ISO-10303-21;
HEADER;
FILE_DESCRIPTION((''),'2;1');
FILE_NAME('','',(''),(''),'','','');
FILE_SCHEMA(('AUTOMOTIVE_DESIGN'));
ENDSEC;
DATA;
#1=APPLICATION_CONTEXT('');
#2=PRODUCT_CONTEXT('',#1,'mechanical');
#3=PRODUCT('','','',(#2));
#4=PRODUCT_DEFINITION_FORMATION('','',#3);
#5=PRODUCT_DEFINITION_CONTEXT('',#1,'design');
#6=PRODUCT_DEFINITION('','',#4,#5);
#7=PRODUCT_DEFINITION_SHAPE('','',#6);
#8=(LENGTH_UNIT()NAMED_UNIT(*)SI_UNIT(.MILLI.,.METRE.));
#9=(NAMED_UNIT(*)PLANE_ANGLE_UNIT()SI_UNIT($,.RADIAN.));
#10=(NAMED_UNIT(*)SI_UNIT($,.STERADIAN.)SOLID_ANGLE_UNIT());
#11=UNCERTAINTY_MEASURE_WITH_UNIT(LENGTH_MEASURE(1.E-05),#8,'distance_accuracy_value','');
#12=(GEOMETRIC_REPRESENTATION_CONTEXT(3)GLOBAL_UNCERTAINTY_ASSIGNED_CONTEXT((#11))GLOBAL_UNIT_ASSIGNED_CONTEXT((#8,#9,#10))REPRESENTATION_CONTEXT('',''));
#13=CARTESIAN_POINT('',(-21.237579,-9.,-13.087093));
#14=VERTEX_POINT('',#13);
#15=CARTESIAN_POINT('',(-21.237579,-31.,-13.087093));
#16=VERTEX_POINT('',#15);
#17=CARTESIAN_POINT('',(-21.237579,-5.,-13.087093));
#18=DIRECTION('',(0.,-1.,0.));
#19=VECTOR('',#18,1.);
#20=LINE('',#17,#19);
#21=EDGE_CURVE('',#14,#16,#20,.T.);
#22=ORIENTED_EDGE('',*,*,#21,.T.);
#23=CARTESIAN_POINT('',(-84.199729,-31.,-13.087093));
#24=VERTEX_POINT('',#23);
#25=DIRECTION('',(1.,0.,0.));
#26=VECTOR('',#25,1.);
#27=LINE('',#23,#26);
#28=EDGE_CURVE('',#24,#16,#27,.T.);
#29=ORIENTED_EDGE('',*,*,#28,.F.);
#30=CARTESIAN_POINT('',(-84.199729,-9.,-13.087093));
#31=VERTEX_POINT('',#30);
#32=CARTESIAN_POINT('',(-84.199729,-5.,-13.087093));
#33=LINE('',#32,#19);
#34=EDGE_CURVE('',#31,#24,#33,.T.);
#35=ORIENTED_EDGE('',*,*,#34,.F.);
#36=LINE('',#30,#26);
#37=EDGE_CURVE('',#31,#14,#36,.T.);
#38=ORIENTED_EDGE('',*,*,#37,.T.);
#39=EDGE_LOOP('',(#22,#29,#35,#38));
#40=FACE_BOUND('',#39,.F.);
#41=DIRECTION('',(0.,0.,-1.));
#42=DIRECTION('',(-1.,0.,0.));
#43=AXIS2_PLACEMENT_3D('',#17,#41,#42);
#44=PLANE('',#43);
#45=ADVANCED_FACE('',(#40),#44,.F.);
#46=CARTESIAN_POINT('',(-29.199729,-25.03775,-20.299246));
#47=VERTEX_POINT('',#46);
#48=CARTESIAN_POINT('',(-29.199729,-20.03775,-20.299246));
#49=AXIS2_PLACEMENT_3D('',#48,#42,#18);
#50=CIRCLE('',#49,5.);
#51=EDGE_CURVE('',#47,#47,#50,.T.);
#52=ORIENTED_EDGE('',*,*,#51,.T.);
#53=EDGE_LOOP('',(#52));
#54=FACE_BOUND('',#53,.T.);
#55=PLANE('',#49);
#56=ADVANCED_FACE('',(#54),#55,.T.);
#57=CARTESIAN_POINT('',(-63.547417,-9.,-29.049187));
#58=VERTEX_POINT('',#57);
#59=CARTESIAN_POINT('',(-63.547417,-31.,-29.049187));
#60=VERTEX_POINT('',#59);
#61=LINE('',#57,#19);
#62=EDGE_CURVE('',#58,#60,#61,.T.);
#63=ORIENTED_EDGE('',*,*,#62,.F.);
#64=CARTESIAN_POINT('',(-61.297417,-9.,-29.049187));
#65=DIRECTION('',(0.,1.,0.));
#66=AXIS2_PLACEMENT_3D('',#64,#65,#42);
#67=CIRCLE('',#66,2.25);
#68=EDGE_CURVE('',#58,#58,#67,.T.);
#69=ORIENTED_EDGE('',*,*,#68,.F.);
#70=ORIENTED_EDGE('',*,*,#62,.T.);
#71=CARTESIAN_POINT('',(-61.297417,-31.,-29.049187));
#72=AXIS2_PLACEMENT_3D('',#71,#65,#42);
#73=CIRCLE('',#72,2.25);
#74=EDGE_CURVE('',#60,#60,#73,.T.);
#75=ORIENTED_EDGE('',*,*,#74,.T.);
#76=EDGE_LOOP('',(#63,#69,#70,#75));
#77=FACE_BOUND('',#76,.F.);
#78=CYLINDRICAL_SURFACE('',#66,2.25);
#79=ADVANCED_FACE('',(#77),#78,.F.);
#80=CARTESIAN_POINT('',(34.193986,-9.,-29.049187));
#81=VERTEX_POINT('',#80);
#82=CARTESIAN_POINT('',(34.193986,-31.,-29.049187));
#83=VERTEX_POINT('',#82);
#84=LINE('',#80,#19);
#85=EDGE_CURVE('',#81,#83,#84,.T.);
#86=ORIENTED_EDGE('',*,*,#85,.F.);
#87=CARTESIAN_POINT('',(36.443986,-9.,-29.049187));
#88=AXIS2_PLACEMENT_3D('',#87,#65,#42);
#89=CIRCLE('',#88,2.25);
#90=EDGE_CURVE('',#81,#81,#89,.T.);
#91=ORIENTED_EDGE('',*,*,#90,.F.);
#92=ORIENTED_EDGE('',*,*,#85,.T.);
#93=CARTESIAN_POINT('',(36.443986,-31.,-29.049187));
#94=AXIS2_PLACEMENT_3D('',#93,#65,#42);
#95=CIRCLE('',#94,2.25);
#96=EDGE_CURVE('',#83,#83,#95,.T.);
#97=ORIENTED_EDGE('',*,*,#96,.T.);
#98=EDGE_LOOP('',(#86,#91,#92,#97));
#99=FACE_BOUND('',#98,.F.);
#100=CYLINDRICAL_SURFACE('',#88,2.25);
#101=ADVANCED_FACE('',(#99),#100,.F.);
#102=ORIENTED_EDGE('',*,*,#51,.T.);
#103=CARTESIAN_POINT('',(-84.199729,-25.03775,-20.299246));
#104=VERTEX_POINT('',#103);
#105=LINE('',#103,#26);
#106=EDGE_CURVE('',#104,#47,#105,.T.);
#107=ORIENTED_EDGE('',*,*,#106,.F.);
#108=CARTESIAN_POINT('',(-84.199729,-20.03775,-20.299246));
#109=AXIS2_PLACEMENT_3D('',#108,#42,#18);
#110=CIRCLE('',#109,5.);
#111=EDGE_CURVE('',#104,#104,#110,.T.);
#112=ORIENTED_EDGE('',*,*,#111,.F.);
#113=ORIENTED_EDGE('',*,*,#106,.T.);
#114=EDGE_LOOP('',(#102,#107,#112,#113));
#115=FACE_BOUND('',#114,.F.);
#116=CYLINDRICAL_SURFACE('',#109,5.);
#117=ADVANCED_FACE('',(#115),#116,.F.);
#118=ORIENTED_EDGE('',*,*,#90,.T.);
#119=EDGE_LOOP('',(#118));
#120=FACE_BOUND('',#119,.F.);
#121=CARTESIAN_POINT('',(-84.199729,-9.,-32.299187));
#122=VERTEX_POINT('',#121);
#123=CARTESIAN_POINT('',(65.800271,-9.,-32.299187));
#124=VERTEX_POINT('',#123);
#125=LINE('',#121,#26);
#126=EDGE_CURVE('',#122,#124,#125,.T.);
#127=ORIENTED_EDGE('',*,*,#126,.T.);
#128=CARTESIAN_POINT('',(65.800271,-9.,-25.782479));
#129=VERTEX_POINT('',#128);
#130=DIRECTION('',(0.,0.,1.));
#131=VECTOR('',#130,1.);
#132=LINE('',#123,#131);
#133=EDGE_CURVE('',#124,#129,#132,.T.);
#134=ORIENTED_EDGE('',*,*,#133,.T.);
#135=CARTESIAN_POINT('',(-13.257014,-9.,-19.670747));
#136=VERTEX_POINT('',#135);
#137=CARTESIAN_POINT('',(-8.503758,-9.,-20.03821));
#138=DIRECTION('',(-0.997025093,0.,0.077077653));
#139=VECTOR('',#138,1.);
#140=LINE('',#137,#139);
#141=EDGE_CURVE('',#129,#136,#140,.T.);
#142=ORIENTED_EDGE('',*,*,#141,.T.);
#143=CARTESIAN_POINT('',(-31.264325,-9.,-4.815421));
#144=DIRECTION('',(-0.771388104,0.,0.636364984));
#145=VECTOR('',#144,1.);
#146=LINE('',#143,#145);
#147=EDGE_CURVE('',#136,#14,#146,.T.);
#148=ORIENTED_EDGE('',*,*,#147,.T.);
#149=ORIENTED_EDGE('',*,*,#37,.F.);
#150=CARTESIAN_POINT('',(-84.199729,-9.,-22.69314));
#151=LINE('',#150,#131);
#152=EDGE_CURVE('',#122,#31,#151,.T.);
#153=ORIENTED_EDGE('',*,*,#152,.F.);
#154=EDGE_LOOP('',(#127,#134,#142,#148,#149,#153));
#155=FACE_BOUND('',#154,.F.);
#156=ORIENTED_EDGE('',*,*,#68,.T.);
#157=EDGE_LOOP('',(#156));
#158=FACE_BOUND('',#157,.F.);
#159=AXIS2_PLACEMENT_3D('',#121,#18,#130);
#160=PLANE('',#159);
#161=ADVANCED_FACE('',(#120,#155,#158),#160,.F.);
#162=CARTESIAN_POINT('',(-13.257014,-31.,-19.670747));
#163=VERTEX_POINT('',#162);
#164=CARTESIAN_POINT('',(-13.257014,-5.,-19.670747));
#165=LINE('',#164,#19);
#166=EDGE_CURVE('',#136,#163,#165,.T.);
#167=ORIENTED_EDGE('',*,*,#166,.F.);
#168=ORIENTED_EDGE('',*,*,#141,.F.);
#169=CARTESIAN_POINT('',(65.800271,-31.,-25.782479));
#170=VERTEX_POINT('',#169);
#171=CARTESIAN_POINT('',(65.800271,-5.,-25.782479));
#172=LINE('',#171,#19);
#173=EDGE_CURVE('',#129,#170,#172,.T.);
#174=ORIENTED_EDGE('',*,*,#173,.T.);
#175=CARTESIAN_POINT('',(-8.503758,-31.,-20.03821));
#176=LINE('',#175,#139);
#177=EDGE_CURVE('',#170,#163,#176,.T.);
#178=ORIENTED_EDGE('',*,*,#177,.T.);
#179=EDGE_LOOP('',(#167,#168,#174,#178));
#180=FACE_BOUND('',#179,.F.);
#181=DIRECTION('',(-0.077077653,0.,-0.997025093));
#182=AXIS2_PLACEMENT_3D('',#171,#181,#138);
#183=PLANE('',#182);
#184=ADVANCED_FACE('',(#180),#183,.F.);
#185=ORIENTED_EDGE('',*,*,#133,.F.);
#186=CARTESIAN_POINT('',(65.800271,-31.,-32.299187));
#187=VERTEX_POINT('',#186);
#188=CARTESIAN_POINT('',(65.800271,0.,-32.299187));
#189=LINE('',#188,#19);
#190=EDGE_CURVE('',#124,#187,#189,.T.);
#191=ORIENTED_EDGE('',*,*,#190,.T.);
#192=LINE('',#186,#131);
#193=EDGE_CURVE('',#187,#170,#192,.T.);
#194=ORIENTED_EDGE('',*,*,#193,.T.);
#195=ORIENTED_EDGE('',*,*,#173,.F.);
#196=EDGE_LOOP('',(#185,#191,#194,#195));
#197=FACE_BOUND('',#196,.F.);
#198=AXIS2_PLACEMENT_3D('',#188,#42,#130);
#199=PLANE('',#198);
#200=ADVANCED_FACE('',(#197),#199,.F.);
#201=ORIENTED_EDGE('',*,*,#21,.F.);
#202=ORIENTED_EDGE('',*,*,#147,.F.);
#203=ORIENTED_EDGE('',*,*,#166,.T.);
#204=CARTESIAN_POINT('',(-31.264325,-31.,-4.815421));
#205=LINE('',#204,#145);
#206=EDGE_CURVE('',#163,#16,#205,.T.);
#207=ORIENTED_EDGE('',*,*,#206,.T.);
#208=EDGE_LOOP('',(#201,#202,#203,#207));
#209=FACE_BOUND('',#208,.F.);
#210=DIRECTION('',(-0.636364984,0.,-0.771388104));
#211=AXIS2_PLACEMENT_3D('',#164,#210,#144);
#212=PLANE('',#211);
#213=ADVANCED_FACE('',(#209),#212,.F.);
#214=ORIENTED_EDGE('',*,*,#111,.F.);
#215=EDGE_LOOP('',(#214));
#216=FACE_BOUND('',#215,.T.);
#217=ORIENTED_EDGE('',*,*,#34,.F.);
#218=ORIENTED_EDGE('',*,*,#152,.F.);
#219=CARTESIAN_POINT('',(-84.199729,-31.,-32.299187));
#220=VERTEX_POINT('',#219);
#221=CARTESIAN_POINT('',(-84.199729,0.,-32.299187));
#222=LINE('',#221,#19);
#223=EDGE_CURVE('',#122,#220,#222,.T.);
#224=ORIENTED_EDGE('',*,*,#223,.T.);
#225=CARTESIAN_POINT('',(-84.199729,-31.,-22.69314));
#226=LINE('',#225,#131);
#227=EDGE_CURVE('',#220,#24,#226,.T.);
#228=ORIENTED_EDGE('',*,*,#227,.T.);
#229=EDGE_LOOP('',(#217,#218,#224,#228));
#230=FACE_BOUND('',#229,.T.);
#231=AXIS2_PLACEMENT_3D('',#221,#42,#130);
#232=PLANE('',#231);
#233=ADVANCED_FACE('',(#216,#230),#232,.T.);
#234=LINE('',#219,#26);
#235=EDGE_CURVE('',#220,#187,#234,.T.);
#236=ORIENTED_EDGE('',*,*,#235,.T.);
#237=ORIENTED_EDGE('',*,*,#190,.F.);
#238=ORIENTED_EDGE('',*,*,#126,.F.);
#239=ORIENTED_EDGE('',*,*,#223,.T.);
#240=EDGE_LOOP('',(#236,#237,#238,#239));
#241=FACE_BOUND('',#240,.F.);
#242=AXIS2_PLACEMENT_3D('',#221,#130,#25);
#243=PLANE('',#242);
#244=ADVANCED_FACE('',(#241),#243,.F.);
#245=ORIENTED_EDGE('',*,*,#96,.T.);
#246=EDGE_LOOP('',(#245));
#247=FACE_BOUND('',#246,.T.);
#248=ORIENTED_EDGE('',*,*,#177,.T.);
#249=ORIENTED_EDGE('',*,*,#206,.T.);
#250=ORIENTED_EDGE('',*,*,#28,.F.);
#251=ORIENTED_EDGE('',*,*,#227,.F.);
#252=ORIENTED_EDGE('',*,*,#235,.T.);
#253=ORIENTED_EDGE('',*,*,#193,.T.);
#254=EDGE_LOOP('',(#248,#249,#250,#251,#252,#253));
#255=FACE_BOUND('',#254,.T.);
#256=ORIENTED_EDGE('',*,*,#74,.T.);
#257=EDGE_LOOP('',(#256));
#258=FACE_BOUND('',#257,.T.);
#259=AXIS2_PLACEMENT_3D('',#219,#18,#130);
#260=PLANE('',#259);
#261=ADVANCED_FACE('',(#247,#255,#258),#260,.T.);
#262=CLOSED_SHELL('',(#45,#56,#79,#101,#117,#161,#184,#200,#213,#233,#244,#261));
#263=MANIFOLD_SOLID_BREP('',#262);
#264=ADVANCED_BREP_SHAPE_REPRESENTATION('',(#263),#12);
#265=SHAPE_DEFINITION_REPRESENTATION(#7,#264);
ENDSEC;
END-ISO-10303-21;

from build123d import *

# Parameters (mm, degrees)
F0_W      = 150
F0_H      = 20
F1_DEPTH  = 40
F2_R      = 5
F3_DEPTH  = 65
F4_W      = 150
F4_H      = 5
F5_DEPTH  = 20.001
F6_R      = 5
F7_DEPTH  = 55
F9_DEPTH  = 30.001
F10_W     = 4
F10_H     = 19.2120939866
F11_DEPTH = 150.001
F12_R     = 2.25
F13_DEPTH = 22.001


with BuildPart() as f1:
    # F0 (on Front) → F1 (new body)
    with BuildSketch(Plane.XZ):
        with Locations((-9.199729269, -22.2991868854)):
            Rectangle(F0_W, F0_H)
    extrude(amount=F1_DEPTH)

    # F2 (on face) → F3 (cut)
    with BuildSketch(Plane(origin=(-84.199729269, 0, 0), x_dir=(0, -1, 0), z_dir=(-1, 0, 0))):
        with Locations((20, 2.7008131146)):
            Circle(F2_R)
    extrude(amount=-F3_DEPTH, mode=Mode.SUBTRACT)

    # F4 (on face) → F5 (cut, through all)
    with BuildSketch(Plane.XY.offset(-12.2991868854)):
        with Locations((-9.199729269, -2.5)):
            Rectangle(F4_W, F4_H)
        with Locations((-9.199729269, -37.5)):
            Rectangle(F4_W, F4_H)
    extrude(amount=-F5_DEPTH, mode=Mode.SUBTRACT)

    # F6 (on face) → F7 (cut)
    with BuildSketch(Plane(origin=(-84.199729269, 0, 0), x_dir=(0, -1, 0), z_dir=(-1, 0, 0))):
        with Locations((20.0377495284, -20.2992462616)):
            Circle(F6_R)
    extrude(amount=-F7_DEPTH, mode=Mode.SUBTRACT)

    # F8 (on face) → F9 (cut, through all)
    with BuildSketch(Plane(origin=(0, -5, 0), x_dir=(-1, 0, 0), z_dir=(0, 1, 0))):
        Polygon((21.2375794259, -13.0870928988), (84.199729269, -13.0870928988), (84.199729269, -12.2991868854), (-65.800270731, -12.2991868854), (-65.800270731, -25.7824789733), (13.2570136338, -19.6707472205), align=None)
    extrude(amount=-F9_DEPTH, mode=Mode.SUBTRACT)

    # F10 (on face) → F11 (cut, through all)
    with BuildSketch(Plane(origin=(-84.199729269, 0, 0), x_dir=(0, -1, 0), z_dir=(-1, 0, 0))):
        with Locations((7, -22.6931398921)):
            Rectangle(F10_W, F10_H)
        with Locations((33, -22.6931398921)):
            Rectangle(F10_W, F10_H)
    extrude(amount=-F11_DEPTH, mode=Mode.SUBTRACT)

    # F12 (on face) → F13 (cut, through all)
    with BuildSketch(Plane(origin=(0, -9, 0), x_dir=(-1, 0, 0), z_dir=(0, 1, 0))):
        with Locations((-36.4439859986, -29.0491868854)):
            Circle(F12_R)
        with Locations((61.297416687, -29.0491868854)):
            Circle(F12_R)
    extrude(amount=-F13_DEPTH, mode=Mode.SUBTRACT)


solid = f1.part
